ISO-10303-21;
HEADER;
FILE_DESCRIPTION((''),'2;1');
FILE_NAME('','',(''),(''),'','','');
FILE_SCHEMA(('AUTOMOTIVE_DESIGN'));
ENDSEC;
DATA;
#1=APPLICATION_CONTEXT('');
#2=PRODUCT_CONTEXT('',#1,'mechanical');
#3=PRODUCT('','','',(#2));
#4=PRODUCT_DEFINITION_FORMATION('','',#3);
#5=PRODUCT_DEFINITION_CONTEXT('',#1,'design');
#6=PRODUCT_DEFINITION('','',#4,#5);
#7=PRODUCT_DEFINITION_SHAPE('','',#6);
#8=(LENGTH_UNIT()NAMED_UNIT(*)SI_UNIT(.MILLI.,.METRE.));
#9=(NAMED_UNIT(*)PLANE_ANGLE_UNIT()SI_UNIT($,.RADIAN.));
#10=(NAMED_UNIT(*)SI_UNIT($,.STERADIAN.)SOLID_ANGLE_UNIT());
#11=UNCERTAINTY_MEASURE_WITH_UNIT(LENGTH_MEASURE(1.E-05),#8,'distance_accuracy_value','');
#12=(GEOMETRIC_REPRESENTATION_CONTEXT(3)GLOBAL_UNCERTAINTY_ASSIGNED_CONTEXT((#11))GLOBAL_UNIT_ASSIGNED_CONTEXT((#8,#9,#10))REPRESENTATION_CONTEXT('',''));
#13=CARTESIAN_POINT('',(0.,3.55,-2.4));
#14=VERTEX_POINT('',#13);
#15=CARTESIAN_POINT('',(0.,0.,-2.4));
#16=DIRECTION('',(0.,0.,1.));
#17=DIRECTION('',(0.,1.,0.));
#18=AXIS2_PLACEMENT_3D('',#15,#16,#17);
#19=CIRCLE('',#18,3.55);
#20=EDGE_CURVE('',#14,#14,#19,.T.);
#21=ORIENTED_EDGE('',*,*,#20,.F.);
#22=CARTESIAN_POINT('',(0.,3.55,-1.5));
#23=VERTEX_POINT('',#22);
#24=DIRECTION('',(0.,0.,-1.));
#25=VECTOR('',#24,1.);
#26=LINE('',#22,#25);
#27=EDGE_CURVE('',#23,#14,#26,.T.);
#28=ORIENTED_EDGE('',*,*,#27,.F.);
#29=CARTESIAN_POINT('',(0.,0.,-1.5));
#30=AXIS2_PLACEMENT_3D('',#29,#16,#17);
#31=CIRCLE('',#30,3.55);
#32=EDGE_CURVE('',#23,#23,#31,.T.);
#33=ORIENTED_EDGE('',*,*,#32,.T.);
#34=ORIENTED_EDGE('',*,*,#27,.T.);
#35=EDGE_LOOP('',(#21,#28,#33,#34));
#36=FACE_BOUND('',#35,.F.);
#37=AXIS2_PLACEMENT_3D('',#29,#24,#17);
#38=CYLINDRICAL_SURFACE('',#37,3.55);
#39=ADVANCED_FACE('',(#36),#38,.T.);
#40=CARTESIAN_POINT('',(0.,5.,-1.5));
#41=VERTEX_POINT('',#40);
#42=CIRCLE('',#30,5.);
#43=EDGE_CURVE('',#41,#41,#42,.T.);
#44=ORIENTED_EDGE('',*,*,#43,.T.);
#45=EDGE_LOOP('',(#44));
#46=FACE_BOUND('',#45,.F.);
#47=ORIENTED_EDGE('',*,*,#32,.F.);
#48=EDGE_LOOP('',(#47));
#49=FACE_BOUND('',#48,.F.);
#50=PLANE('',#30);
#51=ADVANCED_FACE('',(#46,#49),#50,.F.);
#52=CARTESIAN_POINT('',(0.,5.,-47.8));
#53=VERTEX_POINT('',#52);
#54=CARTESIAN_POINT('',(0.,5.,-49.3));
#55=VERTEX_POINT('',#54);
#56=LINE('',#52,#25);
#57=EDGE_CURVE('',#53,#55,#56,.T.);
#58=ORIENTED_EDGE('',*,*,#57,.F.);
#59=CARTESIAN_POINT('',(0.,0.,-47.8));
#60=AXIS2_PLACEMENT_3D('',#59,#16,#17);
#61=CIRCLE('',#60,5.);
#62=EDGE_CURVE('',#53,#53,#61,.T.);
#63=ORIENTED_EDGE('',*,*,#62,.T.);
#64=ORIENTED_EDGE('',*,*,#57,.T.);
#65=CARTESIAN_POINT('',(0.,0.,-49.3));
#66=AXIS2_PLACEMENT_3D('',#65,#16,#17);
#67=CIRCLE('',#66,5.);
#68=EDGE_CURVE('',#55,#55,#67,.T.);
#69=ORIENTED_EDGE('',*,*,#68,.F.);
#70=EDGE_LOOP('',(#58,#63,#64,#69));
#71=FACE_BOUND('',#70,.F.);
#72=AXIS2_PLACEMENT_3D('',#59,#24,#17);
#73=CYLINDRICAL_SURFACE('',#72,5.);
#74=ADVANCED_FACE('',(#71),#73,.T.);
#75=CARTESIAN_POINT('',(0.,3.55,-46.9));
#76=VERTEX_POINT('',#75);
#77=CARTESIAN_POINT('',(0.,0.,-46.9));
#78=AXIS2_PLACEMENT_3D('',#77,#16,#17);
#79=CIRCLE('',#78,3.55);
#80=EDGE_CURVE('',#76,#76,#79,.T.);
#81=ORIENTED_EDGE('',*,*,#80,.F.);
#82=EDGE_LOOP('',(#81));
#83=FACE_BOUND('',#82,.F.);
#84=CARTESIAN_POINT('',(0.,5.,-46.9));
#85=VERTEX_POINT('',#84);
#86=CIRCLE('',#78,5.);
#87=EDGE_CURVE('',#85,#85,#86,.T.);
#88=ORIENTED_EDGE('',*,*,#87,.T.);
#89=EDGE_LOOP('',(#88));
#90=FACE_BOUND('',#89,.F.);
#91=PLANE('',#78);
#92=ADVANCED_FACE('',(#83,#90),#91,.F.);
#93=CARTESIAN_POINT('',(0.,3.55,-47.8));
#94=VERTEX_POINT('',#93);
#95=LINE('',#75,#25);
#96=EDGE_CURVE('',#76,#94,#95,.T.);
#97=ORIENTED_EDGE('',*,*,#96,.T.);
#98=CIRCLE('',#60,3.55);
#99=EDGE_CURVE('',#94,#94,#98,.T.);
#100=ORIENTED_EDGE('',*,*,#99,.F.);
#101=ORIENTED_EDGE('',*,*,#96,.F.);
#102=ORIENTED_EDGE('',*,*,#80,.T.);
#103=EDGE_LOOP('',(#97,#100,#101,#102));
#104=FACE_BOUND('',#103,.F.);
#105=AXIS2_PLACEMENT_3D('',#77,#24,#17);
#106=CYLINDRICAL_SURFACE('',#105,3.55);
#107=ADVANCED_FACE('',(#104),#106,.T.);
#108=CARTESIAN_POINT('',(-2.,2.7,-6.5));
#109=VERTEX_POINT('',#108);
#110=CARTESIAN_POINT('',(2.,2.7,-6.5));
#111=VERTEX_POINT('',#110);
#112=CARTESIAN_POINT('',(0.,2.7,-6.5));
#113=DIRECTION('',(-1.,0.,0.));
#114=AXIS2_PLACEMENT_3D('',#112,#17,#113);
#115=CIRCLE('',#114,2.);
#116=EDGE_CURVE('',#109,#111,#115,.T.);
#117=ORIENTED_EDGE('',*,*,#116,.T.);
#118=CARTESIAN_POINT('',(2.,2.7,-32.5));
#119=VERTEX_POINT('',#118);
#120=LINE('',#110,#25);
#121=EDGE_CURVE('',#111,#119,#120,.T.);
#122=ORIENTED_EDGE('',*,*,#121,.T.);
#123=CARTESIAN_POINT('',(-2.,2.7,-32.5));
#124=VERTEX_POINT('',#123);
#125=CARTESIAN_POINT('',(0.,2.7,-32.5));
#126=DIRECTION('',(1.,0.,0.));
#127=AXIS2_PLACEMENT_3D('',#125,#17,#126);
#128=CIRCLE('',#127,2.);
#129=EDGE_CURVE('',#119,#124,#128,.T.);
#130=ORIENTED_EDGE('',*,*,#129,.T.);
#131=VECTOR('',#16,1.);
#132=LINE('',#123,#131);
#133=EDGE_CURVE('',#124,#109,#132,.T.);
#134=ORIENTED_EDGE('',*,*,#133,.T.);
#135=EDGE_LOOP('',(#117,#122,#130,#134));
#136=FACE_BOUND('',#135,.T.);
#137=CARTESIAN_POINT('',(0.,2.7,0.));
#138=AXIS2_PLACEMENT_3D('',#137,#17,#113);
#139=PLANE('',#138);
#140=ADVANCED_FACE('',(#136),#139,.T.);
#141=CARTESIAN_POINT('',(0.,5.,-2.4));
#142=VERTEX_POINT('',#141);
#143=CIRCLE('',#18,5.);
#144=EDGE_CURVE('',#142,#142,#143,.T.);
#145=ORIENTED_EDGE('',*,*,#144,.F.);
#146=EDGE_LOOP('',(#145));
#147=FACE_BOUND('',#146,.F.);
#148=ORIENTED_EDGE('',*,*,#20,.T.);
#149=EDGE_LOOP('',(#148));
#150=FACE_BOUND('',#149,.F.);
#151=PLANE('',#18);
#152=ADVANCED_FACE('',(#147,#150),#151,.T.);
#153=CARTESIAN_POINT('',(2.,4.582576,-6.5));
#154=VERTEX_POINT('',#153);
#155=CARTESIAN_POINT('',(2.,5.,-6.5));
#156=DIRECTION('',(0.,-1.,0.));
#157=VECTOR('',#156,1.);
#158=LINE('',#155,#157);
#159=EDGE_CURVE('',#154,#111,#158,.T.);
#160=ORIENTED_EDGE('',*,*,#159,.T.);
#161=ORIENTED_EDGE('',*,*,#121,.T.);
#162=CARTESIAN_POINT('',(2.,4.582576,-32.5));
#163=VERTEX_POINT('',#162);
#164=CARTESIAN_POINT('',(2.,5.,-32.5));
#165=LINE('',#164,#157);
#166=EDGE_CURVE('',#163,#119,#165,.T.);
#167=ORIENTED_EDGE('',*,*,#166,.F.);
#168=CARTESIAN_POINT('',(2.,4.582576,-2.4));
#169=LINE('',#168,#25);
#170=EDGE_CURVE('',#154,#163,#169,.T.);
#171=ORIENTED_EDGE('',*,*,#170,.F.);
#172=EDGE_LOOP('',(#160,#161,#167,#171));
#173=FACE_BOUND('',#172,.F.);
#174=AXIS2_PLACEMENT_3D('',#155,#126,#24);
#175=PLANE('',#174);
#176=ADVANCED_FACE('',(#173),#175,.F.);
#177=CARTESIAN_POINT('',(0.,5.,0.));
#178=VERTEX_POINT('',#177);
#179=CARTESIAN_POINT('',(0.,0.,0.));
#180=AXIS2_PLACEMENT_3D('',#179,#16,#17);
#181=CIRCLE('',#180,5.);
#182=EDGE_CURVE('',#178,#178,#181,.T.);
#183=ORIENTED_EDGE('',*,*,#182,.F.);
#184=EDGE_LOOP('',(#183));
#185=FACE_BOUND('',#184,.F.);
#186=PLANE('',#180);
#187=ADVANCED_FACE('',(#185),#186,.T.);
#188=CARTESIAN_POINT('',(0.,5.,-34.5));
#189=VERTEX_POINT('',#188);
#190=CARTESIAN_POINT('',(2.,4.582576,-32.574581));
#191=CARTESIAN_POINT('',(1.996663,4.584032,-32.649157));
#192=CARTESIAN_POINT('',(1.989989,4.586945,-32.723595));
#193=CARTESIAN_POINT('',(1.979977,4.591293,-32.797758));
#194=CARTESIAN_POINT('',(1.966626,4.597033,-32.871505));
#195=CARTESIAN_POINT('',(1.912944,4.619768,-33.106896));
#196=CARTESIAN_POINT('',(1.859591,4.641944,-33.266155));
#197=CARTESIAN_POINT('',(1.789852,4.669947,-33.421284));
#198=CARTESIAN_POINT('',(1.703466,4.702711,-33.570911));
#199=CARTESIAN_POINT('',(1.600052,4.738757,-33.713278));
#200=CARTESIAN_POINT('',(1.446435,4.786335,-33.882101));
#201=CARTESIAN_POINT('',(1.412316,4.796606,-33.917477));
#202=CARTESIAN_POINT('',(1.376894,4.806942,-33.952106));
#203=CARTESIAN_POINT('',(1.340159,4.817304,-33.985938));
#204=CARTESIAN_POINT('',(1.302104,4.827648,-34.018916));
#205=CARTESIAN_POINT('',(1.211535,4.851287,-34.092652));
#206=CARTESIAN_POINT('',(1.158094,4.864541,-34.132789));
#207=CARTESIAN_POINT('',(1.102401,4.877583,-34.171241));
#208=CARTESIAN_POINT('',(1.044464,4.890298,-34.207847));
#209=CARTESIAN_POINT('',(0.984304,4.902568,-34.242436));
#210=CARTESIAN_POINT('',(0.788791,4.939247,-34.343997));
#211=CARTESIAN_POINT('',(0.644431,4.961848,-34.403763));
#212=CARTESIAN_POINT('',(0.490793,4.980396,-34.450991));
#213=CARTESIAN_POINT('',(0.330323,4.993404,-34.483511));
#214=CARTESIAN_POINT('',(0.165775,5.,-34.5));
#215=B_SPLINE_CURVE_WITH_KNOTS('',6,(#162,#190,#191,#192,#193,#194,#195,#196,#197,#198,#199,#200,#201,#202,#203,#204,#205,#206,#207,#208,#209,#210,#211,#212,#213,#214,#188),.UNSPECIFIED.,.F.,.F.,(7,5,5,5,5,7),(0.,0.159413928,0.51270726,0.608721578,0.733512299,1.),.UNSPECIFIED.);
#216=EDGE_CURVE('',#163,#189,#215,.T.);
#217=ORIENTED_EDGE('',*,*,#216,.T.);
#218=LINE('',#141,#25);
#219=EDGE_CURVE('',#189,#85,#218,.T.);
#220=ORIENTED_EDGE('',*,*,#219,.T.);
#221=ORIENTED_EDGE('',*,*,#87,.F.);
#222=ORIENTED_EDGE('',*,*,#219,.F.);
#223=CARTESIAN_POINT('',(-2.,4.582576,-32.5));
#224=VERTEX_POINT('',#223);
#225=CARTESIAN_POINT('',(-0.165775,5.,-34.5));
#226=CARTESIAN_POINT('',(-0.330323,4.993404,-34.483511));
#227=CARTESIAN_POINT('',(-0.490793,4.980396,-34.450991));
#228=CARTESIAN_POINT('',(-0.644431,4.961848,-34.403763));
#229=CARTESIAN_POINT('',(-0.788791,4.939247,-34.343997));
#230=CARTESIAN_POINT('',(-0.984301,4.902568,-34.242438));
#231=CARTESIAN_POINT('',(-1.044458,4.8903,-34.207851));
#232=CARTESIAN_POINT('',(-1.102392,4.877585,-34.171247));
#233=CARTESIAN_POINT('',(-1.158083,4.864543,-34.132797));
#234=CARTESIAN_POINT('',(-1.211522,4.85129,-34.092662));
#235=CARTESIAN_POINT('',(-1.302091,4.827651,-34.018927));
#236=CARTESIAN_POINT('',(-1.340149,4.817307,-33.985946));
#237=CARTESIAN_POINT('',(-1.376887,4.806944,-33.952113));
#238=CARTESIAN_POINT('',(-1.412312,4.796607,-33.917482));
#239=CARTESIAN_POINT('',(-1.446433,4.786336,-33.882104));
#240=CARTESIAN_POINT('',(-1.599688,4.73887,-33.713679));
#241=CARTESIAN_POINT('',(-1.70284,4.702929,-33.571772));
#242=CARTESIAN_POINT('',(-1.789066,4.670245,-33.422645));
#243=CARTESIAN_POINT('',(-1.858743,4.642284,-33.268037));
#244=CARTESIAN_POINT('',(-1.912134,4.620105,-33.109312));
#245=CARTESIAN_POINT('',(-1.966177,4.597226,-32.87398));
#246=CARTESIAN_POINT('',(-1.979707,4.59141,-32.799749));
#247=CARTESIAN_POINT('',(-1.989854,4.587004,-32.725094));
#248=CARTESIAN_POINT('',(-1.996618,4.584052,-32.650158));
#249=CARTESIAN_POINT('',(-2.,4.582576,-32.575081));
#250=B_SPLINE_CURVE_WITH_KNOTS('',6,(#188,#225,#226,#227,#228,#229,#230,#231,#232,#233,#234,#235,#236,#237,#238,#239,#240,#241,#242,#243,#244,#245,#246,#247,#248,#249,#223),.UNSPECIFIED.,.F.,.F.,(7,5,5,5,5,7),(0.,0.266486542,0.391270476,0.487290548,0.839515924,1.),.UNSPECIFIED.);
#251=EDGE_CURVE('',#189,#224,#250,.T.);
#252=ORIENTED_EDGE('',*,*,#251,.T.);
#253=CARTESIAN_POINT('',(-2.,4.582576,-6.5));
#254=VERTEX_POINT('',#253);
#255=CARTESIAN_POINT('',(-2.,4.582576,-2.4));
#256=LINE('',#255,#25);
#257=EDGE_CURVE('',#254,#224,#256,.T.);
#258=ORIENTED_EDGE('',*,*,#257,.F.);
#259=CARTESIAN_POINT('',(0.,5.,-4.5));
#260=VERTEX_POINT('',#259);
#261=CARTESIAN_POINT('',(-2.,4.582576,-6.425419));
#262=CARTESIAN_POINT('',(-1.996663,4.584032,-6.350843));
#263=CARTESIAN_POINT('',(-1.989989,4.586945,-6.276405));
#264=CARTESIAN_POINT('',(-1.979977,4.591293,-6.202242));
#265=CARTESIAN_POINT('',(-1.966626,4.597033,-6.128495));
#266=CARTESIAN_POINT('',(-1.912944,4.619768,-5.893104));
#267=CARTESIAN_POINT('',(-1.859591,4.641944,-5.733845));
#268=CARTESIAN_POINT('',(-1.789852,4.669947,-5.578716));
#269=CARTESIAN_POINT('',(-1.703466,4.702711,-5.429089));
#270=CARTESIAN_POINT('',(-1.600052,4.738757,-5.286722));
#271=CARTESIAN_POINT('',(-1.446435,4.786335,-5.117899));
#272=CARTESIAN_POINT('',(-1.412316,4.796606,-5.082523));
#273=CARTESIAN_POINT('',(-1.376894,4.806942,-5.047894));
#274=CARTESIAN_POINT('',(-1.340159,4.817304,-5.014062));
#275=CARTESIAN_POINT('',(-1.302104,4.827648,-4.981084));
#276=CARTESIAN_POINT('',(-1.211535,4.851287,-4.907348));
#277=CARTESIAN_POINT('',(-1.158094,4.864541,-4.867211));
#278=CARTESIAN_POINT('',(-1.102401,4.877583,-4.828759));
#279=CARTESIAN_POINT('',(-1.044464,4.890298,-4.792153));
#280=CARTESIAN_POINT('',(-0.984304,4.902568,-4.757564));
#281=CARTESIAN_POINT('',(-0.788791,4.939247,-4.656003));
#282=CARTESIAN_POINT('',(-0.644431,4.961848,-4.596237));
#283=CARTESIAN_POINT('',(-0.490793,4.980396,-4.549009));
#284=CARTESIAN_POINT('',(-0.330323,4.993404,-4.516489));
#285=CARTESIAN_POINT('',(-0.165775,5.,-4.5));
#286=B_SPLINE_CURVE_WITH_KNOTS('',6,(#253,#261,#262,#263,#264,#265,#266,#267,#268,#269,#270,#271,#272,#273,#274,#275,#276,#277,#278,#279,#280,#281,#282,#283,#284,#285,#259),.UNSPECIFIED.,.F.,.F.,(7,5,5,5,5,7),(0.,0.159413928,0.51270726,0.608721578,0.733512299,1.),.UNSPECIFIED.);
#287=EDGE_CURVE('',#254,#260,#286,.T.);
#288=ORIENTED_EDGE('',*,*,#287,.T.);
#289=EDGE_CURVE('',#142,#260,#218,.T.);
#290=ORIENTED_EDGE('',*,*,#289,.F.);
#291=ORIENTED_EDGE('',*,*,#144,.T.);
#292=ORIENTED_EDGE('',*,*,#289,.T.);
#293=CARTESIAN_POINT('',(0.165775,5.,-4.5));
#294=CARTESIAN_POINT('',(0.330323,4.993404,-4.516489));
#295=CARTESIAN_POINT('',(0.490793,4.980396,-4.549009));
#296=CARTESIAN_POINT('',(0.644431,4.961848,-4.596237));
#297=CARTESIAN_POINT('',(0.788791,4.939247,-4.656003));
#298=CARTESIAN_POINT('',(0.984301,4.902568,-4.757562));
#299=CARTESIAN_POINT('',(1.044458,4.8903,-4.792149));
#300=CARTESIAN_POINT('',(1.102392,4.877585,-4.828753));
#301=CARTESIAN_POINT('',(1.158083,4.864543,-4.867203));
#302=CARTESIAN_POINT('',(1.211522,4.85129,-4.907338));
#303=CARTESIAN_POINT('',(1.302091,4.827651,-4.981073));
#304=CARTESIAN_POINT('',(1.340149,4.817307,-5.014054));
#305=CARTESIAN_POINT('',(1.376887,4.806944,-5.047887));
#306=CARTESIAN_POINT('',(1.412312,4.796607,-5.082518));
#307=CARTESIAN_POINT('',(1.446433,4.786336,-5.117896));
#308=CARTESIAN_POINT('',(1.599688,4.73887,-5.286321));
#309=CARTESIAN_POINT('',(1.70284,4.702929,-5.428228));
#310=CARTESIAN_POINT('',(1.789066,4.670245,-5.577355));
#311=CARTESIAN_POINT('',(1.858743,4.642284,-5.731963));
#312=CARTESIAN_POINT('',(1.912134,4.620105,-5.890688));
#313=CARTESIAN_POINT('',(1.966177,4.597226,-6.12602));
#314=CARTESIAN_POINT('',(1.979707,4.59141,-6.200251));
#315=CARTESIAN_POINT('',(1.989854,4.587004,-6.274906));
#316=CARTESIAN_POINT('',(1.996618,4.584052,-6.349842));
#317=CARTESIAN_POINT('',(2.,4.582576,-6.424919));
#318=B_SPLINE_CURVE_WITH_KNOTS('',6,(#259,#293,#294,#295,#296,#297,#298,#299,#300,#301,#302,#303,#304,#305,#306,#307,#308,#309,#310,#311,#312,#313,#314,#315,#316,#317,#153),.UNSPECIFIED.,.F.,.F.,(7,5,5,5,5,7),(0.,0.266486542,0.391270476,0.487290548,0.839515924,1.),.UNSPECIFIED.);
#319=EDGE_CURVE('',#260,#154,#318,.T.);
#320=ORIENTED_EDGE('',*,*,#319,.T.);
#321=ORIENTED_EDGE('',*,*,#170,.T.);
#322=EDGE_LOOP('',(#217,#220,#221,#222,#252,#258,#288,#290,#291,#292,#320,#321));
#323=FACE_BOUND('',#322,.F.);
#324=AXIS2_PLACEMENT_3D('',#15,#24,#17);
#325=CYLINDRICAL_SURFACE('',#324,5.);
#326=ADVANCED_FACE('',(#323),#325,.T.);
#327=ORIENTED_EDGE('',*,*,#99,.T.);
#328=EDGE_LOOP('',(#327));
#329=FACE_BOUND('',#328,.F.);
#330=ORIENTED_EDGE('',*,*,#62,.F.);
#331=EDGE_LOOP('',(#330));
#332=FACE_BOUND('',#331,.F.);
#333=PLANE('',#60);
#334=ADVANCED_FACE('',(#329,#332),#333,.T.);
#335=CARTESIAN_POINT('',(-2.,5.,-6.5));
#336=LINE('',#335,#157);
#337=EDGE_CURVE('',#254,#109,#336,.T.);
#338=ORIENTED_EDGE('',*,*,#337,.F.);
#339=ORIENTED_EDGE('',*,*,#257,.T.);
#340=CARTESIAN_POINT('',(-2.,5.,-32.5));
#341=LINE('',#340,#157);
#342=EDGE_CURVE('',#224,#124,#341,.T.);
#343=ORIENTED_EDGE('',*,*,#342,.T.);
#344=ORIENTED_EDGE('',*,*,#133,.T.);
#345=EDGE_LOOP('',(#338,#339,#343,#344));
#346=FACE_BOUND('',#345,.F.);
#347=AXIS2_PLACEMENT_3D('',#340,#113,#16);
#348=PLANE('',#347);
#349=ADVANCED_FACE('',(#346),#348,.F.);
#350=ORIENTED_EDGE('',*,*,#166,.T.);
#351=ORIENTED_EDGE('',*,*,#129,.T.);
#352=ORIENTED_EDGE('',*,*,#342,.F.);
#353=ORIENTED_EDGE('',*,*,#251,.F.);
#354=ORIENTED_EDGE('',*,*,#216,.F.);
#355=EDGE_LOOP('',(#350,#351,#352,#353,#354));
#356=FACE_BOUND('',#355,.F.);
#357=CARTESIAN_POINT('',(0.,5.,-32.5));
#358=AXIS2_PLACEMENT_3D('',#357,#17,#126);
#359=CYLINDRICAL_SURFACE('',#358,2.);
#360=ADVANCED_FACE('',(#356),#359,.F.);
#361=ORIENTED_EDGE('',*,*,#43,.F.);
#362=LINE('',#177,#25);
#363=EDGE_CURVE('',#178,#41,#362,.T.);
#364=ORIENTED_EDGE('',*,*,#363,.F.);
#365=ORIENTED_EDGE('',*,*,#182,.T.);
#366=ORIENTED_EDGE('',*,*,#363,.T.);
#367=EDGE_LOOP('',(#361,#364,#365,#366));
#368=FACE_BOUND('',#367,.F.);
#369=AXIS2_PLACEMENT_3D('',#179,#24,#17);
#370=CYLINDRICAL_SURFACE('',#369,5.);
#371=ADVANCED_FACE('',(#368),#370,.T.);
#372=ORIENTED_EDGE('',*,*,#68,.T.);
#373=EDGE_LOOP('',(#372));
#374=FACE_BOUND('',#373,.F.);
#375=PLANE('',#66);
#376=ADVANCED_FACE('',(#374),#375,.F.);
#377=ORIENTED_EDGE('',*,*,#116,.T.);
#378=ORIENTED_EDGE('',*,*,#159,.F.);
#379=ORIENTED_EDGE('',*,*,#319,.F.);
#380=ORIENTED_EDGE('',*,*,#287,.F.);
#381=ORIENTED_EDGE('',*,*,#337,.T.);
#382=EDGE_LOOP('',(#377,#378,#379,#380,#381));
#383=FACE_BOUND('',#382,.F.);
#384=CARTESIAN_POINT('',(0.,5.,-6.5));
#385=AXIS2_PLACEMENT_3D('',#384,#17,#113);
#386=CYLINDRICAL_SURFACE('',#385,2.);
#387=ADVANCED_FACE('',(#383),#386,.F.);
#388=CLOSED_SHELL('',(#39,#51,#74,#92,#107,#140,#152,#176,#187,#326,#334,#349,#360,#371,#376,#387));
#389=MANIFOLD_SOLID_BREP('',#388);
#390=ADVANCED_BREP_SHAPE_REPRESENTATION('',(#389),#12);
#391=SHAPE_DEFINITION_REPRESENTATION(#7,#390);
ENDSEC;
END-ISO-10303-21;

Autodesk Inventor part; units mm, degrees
ref_plane "YZ Plane" through (0, 0, 0) normal (1, 0, 0) x (0, 1, 0)
ref_plane "XY Plane" through (0, 0, 0) normal (0, 0, 1) x (1, 0, 0)
sketch "Sketch5" plane through (0, 0, 0) normal (1, 0, 0) x (0, 1, 0)
  line L0 (0, 0) -> (5, 0)
  line L1 (5, 0) -> (5, -1.5)
  line L2 (5, -1.5) -> (3.55, -1.5)
  line L3 (3.55, -1.5) -> (3.55, -2.4)
  line L4 (3.55, -2.4) -> (5, -2.4)
  line L5 (5, -2.4) -> (5, -46.9)
  line L6 (5, -46.9) -> (3.55, -46.9)
  line L7 (3.55, -46.9) -> (3.55, -47.8)
  line L8 (3.55, -47.8) -> (5, -47.8)
  line L9 (5, -47.8) -> (5, -49.3)
  line L10 (5, -49.3) -> (0, -49.3)
  line L11 (0, -49.3) -> (0, 0)
  dimension "d14" = 49.3
  dimension "d15" = 10
  dimension "d16" = 1.5
  dimension "d17" = 0.9
  dimension "d18" = 7.1
  dimension "d19" = 1.5
  dimension "d20" = 0.9
revolve "Revolution1" add sketch "Sketch5" angle 360 about axis through (0, 0, -49.3) along (0, 0, 1)
ref_plane "Work Plane1" through (0, 5, 0) normal (0, 1, 0) x (-1, 0, 0)
sketch "Sketch6" plane through (0, 5, 0) normal (0, 1, 0) x (-1, 0, 0)
  line L0 (0, -6.5) -> (0, -32.5) construction
  line L1 (-2, -6.5) -> (-2, -32.5)
  line L2 (2, -32.5) -> (2, -6.5)
  arc A0 (2, -6.5) -> (-2, -6.5) centre (0, -6.5) ccw
  arc A1 (-2, -32.5) -> (2, -32.5) centre (0, -32.5) ccw
  line L3 (5, -1.5) -> (-5, -1.5) projected
  point P0 (0, 0)
  point P1 (0, -19.5)
  point P2 (0, -4.5)
  point P3 (0, -34.5)
  dimension "d23" = 4
  dimension "d24" = 30
  dimension "d25" = 3
extrude "Extrusion4" cut sketch "Sketch6" against normal blind 2.3
properties part number "gearbox_shaft1" material "Steel"
